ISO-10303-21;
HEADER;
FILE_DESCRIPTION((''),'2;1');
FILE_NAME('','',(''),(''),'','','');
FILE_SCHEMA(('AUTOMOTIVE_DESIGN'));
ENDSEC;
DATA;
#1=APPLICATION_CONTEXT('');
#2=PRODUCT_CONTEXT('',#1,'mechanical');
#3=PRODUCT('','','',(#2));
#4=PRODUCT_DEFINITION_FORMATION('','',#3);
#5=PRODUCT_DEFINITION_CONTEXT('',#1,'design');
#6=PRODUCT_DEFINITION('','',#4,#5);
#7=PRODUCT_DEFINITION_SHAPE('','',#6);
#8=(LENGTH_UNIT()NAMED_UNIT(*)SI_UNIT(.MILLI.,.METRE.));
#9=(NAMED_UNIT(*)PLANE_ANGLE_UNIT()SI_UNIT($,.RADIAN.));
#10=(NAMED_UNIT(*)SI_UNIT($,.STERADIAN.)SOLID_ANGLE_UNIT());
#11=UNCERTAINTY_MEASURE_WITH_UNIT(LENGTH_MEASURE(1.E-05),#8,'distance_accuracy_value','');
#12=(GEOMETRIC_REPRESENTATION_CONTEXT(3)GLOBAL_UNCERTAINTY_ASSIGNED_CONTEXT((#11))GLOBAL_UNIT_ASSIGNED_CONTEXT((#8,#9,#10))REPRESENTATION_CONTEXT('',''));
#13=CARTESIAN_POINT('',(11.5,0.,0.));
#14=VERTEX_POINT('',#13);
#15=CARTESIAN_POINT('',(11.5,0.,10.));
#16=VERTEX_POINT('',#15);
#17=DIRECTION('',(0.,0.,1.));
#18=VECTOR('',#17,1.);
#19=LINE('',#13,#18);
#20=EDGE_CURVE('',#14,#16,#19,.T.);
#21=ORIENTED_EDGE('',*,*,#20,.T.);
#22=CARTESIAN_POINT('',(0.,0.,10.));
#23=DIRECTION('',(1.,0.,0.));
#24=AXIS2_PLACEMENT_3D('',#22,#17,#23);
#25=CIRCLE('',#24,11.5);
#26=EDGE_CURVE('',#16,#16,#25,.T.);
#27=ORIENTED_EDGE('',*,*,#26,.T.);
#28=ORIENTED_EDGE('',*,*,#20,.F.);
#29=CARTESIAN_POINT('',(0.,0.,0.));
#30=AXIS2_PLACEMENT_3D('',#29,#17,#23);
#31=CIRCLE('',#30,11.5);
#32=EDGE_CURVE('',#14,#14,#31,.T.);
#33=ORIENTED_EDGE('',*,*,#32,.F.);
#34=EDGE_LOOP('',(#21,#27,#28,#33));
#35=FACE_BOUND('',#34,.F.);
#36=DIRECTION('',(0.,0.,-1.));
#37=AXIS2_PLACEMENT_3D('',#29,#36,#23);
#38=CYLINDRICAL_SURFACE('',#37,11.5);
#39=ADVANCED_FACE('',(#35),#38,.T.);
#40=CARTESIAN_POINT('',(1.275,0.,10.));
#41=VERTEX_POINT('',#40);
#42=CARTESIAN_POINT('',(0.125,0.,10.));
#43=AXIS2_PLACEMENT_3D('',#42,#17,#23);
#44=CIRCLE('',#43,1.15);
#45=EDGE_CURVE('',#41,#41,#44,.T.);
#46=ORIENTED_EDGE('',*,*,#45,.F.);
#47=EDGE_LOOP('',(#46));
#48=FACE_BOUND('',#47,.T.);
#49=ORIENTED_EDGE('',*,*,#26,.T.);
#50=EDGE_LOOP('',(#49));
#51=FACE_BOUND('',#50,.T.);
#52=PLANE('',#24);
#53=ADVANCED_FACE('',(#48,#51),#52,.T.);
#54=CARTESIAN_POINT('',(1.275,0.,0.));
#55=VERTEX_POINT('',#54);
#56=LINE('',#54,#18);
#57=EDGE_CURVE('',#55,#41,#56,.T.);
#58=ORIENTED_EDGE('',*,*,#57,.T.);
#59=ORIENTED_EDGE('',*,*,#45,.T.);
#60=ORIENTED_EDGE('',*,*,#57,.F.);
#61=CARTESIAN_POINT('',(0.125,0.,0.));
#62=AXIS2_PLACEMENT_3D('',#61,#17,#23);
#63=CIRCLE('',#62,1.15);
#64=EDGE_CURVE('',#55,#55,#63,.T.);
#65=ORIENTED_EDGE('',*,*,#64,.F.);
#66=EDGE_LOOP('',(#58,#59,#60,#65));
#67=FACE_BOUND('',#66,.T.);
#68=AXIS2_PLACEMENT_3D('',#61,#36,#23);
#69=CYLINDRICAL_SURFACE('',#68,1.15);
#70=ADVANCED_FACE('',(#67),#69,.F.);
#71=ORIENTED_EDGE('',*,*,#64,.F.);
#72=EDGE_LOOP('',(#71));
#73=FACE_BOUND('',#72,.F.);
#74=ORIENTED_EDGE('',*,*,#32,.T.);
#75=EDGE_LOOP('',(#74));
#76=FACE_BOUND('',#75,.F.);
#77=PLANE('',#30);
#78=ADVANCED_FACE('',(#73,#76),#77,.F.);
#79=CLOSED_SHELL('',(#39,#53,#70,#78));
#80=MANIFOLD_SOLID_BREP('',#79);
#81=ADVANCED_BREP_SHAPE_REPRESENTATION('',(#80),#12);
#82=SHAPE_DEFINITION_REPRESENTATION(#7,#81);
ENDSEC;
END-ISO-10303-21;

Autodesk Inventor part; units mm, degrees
ref_plane "YZ Plane" through (0, 0, 0) normal (1, 0, 0) x (0, 1, 0)
ref_plane "XZ Plane" through (0, 0, 0) normal (0, 1, 0) x (-1, 0, 0)
ref_plane "XY Plane" through (0, 0, 0) normal (0, 0, 1) x (1, 0, 0)
sketch "Sketch1" plane through (0, 0, 0) normal (0, 0, 1) x (1, 0, 0)
  circle A0 centre (0, 0) radius 11.5
  circle A1 centre (0.125, 0) radius 0.85 projected
  circle A2 centre (0.125, 0) radius 1.15
  dimension "d0" = 23
  dimension "d1" = 0.3
extrude "Extrusion1" add sketch "Sketch1" along normal blind 10 contours A0
properties part number "roll"
